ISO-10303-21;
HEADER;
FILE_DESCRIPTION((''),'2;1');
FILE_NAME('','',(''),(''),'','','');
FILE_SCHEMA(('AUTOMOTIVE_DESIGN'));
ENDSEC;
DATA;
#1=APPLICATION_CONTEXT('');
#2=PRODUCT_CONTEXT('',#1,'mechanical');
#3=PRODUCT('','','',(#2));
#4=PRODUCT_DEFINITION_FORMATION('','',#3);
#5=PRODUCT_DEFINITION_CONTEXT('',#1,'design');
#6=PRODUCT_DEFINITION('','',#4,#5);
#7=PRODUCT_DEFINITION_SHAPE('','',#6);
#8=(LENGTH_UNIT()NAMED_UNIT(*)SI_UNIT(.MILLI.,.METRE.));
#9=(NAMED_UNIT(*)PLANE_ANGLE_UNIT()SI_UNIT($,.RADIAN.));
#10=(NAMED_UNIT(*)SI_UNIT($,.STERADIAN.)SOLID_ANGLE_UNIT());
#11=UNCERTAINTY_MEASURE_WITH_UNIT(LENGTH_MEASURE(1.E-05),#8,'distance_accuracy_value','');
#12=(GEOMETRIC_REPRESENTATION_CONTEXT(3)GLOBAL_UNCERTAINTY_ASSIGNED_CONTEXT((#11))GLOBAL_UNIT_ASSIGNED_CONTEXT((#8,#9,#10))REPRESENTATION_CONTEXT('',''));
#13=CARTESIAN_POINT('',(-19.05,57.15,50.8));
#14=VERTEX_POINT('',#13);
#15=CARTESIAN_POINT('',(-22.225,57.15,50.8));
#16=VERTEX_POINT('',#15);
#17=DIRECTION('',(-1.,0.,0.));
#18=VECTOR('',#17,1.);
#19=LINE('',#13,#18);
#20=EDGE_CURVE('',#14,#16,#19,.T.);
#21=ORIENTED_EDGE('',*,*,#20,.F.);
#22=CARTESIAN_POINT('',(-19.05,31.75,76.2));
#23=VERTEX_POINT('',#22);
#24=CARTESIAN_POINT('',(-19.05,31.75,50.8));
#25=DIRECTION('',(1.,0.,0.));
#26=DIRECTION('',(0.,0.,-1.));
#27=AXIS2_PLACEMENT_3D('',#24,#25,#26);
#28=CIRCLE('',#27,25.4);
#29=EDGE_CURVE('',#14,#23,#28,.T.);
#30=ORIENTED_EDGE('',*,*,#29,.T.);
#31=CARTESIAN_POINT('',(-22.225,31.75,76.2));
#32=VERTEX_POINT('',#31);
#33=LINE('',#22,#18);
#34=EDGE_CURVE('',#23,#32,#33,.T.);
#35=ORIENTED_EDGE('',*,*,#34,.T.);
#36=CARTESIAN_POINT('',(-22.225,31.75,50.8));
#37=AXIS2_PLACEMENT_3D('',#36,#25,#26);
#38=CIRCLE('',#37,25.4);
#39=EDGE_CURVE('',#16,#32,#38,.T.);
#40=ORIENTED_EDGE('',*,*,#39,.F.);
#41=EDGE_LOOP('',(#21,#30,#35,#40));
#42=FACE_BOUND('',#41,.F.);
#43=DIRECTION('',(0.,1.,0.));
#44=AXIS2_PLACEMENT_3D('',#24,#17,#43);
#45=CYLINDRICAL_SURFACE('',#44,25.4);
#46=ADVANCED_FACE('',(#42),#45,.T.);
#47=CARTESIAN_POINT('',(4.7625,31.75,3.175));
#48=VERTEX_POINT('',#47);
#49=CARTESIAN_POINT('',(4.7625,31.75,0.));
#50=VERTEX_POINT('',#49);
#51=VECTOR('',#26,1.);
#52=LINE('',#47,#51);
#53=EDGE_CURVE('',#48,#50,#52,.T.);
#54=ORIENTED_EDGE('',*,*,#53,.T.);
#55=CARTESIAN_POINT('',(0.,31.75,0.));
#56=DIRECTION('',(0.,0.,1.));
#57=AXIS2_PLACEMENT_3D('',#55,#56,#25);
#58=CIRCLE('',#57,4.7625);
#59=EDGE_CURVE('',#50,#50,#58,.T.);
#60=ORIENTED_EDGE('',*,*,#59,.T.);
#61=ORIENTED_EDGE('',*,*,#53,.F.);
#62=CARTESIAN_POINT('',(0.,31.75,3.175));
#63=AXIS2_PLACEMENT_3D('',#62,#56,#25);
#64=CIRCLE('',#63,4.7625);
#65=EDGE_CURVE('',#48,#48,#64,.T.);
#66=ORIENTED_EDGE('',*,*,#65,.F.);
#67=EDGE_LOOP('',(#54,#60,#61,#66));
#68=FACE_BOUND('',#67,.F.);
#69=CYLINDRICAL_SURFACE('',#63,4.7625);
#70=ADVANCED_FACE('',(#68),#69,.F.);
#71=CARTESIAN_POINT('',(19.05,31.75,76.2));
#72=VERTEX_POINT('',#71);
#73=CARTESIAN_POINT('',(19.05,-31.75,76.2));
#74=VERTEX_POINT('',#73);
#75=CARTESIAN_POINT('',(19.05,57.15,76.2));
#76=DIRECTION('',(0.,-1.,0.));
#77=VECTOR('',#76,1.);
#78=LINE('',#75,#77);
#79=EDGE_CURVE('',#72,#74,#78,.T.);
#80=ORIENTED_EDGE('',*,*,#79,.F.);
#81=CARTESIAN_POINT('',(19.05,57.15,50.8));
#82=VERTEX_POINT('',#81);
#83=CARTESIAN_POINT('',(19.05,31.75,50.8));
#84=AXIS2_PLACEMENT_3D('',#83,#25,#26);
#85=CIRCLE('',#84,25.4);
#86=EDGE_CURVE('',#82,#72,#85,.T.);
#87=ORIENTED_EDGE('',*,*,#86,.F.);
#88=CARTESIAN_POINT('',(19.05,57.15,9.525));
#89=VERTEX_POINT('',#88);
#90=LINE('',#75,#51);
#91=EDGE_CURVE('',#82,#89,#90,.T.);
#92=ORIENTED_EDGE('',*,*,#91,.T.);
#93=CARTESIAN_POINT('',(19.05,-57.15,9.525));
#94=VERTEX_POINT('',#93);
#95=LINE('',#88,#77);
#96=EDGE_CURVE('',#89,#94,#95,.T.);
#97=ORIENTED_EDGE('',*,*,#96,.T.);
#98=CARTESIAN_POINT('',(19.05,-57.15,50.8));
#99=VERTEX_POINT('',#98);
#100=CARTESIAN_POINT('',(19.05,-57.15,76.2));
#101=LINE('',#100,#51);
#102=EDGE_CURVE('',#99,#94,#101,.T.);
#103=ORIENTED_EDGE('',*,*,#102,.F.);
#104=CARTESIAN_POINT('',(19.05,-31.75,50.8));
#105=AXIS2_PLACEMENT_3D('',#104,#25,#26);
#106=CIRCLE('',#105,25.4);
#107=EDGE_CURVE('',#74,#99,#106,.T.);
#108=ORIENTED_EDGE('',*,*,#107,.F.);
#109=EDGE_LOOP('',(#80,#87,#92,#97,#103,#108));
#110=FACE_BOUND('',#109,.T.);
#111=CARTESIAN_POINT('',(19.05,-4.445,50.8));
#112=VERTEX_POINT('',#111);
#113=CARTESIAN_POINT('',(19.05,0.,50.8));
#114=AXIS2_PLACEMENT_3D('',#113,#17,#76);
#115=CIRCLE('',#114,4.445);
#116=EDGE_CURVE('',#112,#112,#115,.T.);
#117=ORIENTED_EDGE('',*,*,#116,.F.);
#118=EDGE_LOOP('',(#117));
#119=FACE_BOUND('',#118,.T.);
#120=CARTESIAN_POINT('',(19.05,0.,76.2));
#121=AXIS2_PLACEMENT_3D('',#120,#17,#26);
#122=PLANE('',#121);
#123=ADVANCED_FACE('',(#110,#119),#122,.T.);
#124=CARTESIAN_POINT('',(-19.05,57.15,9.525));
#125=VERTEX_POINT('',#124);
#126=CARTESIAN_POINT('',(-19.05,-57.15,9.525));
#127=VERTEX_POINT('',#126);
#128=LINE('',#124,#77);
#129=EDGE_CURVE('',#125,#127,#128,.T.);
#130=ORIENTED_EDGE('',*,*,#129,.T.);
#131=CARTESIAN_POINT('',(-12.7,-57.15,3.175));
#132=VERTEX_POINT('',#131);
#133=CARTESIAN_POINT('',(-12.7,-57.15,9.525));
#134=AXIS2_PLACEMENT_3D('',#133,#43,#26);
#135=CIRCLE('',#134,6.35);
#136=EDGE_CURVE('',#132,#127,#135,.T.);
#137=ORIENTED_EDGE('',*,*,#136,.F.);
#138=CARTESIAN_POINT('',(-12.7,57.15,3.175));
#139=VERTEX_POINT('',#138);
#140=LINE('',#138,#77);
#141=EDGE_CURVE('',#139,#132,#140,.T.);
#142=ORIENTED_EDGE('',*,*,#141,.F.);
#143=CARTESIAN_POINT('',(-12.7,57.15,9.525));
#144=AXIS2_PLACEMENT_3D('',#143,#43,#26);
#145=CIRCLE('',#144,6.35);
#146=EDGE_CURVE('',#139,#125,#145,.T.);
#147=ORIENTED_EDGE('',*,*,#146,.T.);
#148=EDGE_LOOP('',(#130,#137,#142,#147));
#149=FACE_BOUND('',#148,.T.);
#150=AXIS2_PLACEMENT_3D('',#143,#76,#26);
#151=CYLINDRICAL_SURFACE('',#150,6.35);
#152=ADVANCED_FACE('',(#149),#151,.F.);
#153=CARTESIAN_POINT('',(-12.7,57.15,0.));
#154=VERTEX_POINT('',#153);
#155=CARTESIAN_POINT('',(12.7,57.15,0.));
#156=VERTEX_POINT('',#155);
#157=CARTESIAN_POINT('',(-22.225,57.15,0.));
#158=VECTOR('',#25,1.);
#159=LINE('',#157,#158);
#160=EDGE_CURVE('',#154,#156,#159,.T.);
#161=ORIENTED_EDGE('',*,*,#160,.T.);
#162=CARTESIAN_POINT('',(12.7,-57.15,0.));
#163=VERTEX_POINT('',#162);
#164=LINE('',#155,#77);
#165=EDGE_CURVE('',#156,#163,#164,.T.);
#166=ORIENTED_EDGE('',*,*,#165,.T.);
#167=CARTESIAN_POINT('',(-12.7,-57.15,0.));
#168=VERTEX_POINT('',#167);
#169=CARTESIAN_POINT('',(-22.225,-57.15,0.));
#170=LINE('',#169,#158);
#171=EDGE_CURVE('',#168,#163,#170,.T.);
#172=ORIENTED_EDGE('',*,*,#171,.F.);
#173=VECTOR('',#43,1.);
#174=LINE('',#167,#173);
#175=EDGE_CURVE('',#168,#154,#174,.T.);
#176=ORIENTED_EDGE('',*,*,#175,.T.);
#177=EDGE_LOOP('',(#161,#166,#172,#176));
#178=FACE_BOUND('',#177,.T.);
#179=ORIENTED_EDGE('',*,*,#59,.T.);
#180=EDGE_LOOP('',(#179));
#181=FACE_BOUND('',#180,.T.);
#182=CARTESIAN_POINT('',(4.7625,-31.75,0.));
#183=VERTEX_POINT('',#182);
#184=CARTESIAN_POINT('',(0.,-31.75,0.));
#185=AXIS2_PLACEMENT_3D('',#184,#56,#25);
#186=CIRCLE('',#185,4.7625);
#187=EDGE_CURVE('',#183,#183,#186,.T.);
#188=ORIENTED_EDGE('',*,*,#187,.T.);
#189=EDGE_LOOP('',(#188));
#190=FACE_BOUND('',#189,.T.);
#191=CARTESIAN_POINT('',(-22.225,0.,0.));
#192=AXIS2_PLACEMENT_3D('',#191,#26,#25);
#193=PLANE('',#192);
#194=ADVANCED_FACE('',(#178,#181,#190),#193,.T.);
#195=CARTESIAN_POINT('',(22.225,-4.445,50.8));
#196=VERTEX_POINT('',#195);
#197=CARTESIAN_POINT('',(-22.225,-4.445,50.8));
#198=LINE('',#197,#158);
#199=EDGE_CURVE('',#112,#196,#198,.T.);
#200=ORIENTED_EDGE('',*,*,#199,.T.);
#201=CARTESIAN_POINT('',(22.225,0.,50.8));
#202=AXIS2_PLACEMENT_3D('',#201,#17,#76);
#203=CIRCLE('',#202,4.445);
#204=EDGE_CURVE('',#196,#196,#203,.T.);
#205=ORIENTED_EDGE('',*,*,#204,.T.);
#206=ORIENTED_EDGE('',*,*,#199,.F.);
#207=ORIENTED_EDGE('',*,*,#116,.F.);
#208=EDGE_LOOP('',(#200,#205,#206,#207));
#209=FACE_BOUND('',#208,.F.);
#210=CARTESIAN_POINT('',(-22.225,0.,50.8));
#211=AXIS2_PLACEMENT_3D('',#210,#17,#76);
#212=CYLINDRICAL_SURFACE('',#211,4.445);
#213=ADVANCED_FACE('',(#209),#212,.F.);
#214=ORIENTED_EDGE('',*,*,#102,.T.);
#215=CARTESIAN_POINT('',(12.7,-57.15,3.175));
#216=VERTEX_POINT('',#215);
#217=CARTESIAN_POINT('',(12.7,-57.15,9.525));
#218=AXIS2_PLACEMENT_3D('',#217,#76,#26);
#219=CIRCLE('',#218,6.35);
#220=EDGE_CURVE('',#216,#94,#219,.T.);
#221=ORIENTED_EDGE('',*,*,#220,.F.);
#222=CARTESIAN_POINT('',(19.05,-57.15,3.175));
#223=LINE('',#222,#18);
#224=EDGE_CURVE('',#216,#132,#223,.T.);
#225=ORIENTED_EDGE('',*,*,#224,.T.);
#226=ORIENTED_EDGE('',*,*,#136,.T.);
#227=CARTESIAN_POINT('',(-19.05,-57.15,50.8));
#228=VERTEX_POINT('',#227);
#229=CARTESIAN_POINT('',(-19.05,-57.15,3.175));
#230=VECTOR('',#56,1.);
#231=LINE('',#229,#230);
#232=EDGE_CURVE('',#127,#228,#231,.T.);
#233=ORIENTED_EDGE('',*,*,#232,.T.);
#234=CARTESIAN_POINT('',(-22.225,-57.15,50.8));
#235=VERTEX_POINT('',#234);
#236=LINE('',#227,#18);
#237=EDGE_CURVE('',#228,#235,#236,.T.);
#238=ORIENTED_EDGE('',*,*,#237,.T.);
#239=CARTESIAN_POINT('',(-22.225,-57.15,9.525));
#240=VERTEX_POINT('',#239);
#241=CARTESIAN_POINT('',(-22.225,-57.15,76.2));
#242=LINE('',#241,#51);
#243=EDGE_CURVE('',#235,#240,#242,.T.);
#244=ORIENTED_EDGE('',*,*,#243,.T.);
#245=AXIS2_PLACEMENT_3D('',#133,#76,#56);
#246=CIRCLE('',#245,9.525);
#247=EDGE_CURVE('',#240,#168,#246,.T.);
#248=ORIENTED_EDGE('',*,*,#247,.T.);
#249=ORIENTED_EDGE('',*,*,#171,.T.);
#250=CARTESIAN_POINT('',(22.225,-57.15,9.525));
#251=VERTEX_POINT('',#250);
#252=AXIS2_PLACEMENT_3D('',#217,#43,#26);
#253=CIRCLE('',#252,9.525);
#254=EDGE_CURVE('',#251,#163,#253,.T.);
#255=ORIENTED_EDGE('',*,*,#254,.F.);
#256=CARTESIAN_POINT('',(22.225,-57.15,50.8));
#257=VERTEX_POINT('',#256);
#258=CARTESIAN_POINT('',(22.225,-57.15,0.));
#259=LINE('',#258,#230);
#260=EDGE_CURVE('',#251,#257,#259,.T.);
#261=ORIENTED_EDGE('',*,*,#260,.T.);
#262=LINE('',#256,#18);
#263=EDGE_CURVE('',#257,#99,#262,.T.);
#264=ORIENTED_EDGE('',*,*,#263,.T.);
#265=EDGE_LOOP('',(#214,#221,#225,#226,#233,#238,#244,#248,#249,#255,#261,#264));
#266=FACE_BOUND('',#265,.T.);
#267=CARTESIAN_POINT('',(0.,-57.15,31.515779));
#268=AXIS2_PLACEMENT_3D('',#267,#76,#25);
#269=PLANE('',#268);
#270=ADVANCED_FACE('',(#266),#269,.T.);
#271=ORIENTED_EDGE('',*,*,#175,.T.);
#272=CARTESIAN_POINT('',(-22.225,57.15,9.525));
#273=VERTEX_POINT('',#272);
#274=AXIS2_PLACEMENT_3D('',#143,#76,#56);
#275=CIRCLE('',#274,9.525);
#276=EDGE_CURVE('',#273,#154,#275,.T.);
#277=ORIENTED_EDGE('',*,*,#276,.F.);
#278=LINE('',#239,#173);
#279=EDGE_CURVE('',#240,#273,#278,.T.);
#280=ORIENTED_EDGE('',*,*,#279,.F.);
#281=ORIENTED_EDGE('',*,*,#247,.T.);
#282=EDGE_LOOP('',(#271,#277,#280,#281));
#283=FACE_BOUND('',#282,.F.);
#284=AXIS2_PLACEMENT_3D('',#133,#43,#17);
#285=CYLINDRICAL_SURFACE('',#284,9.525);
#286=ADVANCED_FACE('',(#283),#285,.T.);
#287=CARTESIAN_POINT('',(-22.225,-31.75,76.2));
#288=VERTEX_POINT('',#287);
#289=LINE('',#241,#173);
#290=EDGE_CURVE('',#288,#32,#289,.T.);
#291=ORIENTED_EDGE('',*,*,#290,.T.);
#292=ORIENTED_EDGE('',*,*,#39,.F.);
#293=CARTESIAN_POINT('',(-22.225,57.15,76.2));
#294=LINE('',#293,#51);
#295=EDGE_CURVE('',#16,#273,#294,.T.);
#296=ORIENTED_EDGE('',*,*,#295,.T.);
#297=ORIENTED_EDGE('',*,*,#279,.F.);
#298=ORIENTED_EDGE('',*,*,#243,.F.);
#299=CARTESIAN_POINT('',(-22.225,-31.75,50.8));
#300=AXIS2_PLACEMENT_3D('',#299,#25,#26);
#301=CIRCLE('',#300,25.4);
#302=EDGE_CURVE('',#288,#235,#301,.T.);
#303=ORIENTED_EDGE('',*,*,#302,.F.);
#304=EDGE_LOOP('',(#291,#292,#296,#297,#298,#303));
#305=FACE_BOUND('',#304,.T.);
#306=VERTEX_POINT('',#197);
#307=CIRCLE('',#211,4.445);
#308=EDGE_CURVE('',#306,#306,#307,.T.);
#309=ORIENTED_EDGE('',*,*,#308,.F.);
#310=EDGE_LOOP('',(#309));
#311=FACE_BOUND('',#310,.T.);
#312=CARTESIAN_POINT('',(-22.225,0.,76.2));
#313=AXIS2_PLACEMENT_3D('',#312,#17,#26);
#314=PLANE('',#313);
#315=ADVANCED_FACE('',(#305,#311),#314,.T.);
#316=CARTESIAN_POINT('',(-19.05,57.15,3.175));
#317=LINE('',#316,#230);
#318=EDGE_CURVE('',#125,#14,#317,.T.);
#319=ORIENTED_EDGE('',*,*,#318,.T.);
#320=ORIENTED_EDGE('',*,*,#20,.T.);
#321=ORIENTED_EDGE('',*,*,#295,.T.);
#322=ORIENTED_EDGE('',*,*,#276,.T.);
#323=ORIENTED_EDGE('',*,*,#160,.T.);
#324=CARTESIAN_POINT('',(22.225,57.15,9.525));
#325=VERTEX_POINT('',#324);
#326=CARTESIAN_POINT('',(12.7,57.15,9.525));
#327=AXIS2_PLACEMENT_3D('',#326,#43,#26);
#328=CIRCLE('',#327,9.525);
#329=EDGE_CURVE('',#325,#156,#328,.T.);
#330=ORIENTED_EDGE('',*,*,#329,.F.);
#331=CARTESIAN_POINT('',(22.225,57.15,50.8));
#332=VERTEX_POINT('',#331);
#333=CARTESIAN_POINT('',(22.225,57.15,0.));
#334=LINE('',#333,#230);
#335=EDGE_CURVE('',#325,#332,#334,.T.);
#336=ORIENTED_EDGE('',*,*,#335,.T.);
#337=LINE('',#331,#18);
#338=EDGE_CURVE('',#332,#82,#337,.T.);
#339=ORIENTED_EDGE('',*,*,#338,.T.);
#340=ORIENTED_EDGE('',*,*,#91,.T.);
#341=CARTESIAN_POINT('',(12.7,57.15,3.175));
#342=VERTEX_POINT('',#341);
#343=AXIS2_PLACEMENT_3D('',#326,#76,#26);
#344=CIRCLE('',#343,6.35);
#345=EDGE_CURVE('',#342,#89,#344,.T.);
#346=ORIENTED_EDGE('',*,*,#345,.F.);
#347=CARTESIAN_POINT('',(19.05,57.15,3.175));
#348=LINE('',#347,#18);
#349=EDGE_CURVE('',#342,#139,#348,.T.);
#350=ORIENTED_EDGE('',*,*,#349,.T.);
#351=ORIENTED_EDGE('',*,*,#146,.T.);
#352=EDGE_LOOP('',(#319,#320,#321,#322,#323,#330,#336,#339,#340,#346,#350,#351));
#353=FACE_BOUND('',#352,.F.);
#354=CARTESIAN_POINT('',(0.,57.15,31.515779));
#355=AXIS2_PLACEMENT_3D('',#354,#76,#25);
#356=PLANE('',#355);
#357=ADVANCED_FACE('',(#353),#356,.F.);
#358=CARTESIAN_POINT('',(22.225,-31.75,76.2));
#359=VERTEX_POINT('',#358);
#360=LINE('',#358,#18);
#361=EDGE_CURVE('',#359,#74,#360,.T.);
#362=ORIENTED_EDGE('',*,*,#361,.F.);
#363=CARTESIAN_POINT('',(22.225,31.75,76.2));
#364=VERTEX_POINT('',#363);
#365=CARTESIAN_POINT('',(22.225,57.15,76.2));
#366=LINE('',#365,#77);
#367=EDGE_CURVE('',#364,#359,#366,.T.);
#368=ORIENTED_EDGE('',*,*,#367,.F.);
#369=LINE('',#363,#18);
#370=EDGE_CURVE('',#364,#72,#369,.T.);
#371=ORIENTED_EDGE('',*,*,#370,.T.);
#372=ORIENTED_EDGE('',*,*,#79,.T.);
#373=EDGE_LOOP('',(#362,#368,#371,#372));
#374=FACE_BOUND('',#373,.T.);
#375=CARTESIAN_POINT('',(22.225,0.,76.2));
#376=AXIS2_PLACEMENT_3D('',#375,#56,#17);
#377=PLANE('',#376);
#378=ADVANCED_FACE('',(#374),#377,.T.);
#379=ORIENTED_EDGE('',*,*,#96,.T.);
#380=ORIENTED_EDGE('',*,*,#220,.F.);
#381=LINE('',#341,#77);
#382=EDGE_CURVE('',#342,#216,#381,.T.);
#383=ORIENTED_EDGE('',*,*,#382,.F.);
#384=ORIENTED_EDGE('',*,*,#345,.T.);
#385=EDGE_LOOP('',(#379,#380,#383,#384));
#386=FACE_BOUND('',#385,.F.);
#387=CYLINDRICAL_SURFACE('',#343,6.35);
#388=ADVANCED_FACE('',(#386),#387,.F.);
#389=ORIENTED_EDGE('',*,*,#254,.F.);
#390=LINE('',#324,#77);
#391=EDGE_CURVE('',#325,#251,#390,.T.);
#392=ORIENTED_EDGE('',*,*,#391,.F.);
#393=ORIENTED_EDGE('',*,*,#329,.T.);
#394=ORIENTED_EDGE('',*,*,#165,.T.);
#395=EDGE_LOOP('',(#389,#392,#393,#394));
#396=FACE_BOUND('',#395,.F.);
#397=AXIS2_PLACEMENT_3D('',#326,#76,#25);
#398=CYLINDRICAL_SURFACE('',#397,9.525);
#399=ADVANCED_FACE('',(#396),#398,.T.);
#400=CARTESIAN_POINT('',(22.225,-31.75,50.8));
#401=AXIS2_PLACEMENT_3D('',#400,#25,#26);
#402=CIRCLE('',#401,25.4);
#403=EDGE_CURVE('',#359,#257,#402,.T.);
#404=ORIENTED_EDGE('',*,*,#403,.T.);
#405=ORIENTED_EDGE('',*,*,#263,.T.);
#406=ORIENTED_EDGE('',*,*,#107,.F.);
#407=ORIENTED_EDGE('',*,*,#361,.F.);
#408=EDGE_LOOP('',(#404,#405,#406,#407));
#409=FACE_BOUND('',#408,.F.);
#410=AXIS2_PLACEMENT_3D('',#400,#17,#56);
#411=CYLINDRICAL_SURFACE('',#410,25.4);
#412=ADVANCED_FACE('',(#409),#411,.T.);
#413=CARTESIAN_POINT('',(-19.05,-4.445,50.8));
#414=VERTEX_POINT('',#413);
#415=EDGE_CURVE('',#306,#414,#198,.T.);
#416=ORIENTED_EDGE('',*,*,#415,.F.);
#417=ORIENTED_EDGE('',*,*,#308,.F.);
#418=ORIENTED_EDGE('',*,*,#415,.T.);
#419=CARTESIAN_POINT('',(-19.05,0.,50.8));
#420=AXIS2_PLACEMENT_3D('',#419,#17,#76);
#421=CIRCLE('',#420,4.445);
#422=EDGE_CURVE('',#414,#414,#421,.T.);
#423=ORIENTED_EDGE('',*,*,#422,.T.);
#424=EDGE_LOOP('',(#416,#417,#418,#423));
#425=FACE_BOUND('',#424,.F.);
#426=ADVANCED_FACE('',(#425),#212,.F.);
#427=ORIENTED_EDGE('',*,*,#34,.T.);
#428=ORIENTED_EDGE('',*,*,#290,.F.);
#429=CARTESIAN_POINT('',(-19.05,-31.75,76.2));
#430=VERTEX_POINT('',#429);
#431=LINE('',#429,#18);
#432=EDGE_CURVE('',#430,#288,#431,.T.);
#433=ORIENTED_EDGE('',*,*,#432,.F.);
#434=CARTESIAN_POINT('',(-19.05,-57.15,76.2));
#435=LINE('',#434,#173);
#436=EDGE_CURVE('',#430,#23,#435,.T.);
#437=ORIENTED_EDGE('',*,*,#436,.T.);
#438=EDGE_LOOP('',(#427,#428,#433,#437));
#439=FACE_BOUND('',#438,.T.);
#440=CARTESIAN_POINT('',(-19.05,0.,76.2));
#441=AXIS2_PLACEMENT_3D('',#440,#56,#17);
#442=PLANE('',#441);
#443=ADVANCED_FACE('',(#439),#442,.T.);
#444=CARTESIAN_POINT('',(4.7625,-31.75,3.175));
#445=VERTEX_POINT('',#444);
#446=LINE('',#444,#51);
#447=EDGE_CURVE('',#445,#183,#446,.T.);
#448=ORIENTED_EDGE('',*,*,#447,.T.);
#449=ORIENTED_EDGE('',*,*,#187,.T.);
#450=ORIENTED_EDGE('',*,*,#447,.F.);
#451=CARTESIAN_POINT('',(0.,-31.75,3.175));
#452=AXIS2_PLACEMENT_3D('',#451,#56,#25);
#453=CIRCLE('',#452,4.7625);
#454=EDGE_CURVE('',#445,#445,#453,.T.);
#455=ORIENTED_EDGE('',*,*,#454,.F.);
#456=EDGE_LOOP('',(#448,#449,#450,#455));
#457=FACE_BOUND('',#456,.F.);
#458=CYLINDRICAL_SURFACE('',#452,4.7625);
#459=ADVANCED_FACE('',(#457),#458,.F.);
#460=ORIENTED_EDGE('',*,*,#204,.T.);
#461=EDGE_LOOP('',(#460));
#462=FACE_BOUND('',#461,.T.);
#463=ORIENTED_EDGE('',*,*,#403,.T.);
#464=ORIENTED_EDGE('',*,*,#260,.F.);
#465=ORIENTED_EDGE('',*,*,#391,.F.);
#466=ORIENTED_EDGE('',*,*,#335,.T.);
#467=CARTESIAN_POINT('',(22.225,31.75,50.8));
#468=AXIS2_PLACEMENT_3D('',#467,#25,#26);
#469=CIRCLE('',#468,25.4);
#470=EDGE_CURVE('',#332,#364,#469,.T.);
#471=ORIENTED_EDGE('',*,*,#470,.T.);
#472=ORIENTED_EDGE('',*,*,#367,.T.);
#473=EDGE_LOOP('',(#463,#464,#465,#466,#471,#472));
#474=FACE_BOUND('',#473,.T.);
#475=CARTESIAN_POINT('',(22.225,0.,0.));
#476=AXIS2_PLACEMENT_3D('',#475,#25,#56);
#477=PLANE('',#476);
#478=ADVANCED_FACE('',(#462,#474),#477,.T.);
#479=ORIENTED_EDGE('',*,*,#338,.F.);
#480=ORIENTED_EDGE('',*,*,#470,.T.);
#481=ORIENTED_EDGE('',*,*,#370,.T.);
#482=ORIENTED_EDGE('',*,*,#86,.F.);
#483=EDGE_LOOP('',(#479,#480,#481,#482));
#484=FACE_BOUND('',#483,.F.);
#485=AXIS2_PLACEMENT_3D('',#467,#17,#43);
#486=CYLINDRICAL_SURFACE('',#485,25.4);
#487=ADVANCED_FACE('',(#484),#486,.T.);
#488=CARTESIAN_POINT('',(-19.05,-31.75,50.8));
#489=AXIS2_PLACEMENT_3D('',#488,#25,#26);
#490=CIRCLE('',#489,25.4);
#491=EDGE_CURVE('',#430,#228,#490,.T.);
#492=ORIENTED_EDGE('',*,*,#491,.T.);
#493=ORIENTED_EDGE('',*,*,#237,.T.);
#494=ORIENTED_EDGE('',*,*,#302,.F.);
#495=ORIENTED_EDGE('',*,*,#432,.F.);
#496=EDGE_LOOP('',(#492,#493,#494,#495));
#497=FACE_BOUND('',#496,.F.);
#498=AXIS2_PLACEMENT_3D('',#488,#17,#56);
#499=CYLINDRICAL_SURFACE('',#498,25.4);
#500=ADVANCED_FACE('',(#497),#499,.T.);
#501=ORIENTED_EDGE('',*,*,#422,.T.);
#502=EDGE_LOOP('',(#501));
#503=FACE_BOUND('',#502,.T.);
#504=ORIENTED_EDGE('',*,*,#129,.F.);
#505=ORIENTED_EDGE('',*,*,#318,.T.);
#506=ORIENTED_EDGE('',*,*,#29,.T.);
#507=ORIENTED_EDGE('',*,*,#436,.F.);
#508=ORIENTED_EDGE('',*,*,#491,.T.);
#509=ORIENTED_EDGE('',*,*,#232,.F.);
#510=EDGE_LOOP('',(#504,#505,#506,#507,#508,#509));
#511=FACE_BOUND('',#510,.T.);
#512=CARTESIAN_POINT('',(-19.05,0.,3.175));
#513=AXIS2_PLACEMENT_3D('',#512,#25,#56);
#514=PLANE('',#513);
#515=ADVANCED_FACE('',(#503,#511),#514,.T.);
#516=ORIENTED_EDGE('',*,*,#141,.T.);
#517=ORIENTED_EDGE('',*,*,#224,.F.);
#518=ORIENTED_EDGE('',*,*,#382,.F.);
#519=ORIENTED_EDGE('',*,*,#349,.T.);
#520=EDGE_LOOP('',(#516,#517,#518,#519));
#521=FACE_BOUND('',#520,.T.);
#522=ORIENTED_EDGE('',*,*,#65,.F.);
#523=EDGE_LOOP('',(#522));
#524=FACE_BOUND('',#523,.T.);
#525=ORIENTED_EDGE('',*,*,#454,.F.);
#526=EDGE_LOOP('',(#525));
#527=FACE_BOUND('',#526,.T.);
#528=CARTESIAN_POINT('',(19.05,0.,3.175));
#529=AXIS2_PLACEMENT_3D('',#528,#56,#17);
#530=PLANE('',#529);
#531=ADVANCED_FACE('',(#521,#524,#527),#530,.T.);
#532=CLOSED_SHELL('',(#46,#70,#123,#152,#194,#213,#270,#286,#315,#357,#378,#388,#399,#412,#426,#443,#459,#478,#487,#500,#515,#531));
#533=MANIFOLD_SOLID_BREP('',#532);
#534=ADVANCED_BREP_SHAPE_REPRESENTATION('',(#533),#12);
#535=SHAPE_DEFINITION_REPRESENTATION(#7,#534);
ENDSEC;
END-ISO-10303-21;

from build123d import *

# Parameters (mm, degrees)
F1_DEPTH      = 57.15
F1_DEPTH_BACK = 57.15
F2_R          = 6.35
F3_R          = 6.35
F4_R          = 9.525
F5_R          = 4.445
F6_DEPTH      = 101.346
F6_DEPTH_BACK = 150.622
F7_R          = 4.7625
F8_DEPTH      = 25.4
F8_DEPTH_BACK = 25.4
F9_R          = 25.4


with BuildPart() as f1:
    # F0 (on Front) → F1 (new body, two sides)
    with BuildSketch(Plane.XZ) as f1_sk:
        Polygon((-22.225, 0), (0, 0), (22.225, 0), (22.225, 76.2), (19.05, 76.2), (19.05, 3.175), (0, 3.175), (-19.05, 3.175), (-19.05, 76.2), (-22.225, 76.2), align=None)
    extrude(amount=F1_DEPTH)
    extrude(f1_sk.sketch, amount=-F1_DEPTH_BACK)

    # F2
    f2_edges = [f1.edges().sort_by_distance(p)[0] for p in [
        (19.05, 0, 3.175),
    ]]
    fillet(f2_edges, radius=F2_R)

    # F3
    f3_edges = [f1.edges().sort_by_distance(p)[0] for p in [
        (-19.05, 0, 3.175),
    ]]
    fillet(f3_edges, radius=F3_R)

    # F4
    f4_edges = [f1.edges().sort_by_distance(p)[0] for p in [
        (22.225, 0, 0),
        (-22.225, 0, 0),
    ]]
    fillet(f4_edges, radius=F4_R)

    # F5 (on face) → F6 (cut, two sides)
    with BuildSketch(Plane(origin=(-22.225, 0, 0), x_dir=(0, -1, 0), z_dir=(-1, 0, 0))) as f6_sk:
        with Locations((0, 50.8)):
            Circle(F5_R)
    extrude(amount=F6_DEPTH, mode=Mode.SUBTRACT)
    extrude(f6_sk.sketch, amount=-F6_DEPTH_BACK, mode=Mode.SUBTRACT)

    # F7 (on face) → F8 (cut, two sides)
    with BuildSketch(Plane.XY.offset(3.175)) as f8_sk:
        with Locations((0, 31.75)):
            Circle(F7_R)
        with Locations((0, -31.75)):
            Circle(F7_R)
    extrude(amount=F8_DEPTH, mode=Mode.SUBTRACT)
    extrude(f8_sk.sketch, amount=-F8_DEPTH_BACK, mode=Mode.SUBTRACT)

    # F9
    f9_edges = [f1.edges().sort_by_distance(p)[0] for p in [
        (20.6375, 57.15, 76.2),
        (-20.6375, 57.15, 76.2),
        (20.6375, -57.15, 76.2),
        (-20.6375, -57.15, 76.2),
    ]]
    fillet(f9_edges, radius=F9_R)


solid = f1.part
